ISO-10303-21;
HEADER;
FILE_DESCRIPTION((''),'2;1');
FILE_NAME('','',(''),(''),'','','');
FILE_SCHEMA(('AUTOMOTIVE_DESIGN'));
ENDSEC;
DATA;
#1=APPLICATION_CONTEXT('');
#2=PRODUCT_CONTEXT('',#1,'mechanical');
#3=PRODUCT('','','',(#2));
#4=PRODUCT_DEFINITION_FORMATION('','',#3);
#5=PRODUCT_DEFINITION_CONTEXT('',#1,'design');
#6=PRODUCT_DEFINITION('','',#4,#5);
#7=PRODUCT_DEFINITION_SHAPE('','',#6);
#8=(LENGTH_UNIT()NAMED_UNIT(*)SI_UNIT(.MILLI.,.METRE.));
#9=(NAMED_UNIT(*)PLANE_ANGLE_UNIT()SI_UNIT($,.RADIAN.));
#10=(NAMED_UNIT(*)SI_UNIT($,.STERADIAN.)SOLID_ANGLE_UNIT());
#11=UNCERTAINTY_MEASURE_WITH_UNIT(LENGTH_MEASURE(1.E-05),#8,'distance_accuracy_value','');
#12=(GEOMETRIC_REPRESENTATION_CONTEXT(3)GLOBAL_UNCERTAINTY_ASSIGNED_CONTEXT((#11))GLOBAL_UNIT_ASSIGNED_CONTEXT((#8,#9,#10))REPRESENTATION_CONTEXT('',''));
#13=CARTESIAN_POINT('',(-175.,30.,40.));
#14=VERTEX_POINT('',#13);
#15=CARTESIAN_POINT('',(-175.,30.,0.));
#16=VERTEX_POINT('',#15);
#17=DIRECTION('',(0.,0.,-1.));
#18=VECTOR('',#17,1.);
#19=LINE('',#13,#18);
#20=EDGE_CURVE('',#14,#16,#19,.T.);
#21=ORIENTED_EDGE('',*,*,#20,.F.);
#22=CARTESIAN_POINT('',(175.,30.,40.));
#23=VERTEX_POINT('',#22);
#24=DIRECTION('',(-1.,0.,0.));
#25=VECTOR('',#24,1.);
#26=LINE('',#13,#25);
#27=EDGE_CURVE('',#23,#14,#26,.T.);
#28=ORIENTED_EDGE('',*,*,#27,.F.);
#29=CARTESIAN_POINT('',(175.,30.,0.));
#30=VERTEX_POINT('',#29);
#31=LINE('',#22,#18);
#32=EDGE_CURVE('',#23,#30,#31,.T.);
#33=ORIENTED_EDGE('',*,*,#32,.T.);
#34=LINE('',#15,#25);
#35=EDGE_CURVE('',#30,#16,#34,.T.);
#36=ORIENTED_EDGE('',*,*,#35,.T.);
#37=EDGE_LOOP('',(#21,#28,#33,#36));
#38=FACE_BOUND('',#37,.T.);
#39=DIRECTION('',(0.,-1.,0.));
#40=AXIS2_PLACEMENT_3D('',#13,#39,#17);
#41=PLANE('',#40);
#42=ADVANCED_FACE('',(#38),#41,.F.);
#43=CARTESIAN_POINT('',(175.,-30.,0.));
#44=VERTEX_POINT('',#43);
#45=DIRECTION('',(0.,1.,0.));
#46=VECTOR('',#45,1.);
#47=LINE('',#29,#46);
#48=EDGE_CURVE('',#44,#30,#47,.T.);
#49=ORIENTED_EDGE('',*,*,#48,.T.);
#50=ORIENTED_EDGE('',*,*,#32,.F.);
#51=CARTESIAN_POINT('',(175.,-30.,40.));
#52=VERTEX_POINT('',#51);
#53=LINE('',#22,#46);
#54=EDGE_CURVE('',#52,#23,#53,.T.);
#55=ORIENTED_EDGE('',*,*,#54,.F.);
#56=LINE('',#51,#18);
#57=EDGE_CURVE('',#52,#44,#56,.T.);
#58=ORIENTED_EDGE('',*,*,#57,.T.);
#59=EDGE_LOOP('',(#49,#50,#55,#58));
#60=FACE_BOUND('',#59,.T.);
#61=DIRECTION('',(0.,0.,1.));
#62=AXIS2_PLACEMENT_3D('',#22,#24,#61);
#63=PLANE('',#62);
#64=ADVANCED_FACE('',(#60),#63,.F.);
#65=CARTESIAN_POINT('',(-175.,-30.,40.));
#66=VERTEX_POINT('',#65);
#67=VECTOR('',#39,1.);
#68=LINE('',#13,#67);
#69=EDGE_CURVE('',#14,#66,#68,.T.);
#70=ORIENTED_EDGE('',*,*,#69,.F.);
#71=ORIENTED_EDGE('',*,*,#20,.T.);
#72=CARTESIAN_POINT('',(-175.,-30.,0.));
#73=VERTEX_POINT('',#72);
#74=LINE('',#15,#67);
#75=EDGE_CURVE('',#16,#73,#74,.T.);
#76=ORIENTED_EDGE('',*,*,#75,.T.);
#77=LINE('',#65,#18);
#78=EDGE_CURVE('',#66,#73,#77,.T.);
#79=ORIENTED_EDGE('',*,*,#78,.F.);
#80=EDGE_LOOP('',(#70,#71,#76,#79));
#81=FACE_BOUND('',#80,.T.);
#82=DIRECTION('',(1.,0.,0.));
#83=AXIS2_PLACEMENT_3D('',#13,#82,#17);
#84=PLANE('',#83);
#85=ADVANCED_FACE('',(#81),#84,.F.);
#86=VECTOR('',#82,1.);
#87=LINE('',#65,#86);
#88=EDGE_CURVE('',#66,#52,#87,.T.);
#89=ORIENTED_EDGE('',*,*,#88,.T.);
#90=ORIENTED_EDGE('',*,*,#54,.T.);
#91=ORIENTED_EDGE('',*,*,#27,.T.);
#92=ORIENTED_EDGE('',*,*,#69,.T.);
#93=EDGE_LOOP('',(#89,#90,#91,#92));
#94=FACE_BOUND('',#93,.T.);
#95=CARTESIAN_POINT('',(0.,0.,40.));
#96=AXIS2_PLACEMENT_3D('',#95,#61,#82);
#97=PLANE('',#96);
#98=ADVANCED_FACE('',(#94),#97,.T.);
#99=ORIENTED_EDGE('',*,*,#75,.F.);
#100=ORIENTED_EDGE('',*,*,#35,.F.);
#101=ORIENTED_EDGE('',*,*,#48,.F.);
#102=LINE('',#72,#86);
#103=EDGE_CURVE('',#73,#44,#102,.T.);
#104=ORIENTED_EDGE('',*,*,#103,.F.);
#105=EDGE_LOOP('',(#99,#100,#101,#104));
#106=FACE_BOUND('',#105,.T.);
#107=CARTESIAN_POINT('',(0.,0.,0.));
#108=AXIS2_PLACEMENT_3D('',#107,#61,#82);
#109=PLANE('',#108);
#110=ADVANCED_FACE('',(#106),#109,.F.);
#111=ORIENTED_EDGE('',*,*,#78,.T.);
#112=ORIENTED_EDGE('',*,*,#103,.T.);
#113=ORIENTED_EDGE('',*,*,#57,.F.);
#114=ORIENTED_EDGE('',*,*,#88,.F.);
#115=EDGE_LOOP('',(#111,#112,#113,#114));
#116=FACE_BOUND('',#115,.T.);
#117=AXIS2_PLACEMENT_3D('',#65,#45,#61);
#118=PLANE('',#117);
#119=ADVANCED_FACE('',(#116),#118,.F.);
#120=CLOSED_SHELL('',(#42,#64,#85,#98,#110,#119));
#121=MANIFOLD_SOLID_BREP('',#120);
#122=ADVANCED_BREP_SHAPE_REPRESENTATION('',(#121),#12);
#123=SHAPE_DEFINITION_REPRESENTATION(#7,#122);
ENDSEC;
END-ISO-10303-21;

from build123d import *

# Parameters (mm, degrees)
SKETCH_8_W      = 350
SKETCH_8_H      = 60
EXTRUDE_1_DEPTH = 40


with BuildPart() as part:
    # 草图8 → 凸台-拉伸1 (new body)
    with BuildSketch(Plane.XY):
        Rectangle(SKETCH_8_W, SKETCH_8_H)
    extrude(amount=EXTRUDE_1_DEPTH)


solid = part.part
